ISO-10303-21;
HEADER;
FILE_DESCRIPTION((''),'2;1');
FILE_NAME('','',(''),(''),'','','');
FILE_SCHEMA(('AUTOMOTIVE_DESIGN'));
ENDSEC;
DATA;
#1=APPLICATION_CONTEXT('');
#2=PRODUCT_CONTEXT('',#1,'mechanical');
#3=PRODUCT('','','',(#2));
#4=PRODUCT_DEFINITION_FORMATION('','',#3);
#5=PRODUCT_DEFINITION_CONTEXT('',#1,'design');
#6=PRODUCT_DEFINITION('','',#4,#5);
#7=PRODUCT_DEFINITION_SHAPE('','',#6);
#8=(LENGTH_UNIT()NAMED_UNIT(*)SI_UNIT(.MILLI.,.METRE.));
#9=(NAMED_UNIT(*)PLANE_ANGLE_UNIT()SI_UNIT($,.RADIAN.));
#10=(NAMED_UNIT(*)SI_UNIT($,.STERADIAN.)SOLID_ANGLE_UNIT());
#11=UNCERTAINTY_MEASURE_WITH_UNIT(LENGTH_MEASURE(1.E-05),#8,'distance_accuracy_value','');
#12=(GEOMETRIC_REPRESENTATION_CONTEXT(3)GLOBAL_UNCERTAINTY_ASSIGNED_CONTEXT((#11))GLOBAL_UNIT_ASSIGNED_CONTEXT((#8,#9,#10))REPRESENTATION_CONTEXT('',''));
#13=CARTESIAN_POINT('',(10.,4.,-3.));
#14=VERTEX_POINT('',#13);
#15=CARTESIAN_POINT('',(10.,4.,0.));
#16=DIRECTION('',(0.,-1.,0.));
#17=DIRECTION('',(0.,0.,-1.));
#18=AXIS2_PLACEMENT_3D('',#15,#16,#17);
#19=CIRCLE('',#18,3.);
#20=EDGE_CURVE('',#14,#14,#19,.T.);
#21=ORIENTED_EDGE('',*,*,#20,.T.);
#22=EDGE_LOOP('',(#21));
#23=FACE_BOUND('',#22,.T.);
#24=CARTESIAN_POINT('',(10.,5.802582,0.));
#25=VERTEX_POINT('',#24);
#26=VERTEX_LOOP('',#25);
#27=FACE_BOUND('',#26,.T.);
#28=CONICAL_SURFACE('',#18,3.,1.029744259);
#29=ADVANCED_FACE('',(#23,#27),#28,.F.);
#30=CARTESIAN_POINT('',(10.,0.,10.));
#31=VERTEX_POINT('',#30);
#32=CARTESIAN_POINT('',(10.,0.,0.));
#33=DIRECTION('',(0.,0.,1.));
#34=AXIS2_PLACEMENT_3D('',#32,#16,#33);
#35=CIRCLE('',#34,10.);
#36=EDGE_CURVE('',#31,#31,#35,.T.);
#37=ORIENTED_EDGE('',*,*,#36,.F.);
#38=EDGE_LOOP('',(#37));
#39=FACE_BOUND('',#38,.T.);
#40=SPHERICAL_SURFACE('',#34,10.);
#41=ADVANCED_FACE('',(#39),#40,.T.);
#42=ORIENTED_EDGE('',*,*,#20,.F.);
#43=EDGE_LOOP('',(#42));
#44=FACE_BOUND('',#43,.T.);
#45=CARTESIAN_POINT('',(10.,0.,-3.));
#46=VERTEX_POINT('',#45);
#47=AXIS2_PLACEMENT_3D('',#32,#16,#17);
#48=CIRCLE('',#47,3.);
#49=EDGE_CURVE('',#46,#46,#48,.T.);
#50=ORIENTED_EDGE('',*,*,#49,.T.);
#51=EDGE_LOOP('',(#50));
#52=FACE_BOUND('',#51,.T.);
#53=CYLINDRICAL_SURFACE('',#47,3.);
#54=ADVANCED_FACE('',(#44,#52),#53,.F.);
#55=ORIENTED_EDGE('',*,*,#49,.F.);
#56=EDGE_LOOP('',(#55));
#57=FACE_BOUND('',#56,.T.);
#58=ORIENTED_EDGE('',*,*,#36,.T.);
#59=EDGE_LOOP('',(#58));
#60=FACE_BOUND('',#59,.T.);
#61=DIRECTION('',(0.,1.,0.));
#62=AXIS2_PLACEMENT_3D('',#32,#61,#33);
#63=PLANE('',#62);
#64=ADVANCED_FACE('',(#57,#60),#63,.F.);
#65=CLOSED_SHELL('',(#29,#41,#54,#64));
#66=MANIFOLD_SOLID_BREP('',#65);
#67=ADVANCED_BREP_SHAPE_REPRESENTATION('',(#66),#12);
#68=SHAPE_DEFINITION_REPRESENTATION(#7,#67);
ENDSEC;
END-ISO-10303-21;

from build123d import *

# Parameters (mm, degrees)
REVOLVE1_ANGLE            = 180
F_6_0MM_DOWEL_HOLE1_D     = 6
F_6_0MM_DOWEL_HOLE1_DEPTH = 4
F_6_0MM_DOWEL_HOLE1_TIP   = 1.802581857


with BuildPart() as part:
    # Sketch1 → Revolve1 (revolve)
    with BuildSketch(Plane(origin=(0, 0, 0), x_dir=(1, 0, 0), z_dir=(0, 1, 0))):
        with BuildLine():
            Line((0, 0), (20, 0))
            ThreePointArc((20, 0), (10, 10), (0, 0))
        make_face()
    revolve(axis=Axis((0, 0, 0), (1, 0, 0)), revolution_arc=REVOLVE1_ANGLE)

    # Ø6.0mm Dowel Hole1
    with Locations(Plane(origin=(0, 0, 0), x_dir=(-1, 0, 0), z_dir=(0, -1, 0))):
        with Locations((-10, 0)):
            Hole(F_6_0MM_DOWEL_HOLE1_D / 2, depth=F_6_0MM_DOWEL_HOLE1_DEPTH)
            with Locations((0, 0, -(F_6_0MM_DOWEL_HOLE1_DEPTH + F_6_0MM_DOWEL_HOLE1_TIP / 2))):  # 118° drill point
                Cone(0, F_6_0MM_DOWEL_HOLE1_D / 2, F_6_0MM_DOWEL_HOLE1_TIP, mode=Mode.SUBTRACT)


solid = part.part
